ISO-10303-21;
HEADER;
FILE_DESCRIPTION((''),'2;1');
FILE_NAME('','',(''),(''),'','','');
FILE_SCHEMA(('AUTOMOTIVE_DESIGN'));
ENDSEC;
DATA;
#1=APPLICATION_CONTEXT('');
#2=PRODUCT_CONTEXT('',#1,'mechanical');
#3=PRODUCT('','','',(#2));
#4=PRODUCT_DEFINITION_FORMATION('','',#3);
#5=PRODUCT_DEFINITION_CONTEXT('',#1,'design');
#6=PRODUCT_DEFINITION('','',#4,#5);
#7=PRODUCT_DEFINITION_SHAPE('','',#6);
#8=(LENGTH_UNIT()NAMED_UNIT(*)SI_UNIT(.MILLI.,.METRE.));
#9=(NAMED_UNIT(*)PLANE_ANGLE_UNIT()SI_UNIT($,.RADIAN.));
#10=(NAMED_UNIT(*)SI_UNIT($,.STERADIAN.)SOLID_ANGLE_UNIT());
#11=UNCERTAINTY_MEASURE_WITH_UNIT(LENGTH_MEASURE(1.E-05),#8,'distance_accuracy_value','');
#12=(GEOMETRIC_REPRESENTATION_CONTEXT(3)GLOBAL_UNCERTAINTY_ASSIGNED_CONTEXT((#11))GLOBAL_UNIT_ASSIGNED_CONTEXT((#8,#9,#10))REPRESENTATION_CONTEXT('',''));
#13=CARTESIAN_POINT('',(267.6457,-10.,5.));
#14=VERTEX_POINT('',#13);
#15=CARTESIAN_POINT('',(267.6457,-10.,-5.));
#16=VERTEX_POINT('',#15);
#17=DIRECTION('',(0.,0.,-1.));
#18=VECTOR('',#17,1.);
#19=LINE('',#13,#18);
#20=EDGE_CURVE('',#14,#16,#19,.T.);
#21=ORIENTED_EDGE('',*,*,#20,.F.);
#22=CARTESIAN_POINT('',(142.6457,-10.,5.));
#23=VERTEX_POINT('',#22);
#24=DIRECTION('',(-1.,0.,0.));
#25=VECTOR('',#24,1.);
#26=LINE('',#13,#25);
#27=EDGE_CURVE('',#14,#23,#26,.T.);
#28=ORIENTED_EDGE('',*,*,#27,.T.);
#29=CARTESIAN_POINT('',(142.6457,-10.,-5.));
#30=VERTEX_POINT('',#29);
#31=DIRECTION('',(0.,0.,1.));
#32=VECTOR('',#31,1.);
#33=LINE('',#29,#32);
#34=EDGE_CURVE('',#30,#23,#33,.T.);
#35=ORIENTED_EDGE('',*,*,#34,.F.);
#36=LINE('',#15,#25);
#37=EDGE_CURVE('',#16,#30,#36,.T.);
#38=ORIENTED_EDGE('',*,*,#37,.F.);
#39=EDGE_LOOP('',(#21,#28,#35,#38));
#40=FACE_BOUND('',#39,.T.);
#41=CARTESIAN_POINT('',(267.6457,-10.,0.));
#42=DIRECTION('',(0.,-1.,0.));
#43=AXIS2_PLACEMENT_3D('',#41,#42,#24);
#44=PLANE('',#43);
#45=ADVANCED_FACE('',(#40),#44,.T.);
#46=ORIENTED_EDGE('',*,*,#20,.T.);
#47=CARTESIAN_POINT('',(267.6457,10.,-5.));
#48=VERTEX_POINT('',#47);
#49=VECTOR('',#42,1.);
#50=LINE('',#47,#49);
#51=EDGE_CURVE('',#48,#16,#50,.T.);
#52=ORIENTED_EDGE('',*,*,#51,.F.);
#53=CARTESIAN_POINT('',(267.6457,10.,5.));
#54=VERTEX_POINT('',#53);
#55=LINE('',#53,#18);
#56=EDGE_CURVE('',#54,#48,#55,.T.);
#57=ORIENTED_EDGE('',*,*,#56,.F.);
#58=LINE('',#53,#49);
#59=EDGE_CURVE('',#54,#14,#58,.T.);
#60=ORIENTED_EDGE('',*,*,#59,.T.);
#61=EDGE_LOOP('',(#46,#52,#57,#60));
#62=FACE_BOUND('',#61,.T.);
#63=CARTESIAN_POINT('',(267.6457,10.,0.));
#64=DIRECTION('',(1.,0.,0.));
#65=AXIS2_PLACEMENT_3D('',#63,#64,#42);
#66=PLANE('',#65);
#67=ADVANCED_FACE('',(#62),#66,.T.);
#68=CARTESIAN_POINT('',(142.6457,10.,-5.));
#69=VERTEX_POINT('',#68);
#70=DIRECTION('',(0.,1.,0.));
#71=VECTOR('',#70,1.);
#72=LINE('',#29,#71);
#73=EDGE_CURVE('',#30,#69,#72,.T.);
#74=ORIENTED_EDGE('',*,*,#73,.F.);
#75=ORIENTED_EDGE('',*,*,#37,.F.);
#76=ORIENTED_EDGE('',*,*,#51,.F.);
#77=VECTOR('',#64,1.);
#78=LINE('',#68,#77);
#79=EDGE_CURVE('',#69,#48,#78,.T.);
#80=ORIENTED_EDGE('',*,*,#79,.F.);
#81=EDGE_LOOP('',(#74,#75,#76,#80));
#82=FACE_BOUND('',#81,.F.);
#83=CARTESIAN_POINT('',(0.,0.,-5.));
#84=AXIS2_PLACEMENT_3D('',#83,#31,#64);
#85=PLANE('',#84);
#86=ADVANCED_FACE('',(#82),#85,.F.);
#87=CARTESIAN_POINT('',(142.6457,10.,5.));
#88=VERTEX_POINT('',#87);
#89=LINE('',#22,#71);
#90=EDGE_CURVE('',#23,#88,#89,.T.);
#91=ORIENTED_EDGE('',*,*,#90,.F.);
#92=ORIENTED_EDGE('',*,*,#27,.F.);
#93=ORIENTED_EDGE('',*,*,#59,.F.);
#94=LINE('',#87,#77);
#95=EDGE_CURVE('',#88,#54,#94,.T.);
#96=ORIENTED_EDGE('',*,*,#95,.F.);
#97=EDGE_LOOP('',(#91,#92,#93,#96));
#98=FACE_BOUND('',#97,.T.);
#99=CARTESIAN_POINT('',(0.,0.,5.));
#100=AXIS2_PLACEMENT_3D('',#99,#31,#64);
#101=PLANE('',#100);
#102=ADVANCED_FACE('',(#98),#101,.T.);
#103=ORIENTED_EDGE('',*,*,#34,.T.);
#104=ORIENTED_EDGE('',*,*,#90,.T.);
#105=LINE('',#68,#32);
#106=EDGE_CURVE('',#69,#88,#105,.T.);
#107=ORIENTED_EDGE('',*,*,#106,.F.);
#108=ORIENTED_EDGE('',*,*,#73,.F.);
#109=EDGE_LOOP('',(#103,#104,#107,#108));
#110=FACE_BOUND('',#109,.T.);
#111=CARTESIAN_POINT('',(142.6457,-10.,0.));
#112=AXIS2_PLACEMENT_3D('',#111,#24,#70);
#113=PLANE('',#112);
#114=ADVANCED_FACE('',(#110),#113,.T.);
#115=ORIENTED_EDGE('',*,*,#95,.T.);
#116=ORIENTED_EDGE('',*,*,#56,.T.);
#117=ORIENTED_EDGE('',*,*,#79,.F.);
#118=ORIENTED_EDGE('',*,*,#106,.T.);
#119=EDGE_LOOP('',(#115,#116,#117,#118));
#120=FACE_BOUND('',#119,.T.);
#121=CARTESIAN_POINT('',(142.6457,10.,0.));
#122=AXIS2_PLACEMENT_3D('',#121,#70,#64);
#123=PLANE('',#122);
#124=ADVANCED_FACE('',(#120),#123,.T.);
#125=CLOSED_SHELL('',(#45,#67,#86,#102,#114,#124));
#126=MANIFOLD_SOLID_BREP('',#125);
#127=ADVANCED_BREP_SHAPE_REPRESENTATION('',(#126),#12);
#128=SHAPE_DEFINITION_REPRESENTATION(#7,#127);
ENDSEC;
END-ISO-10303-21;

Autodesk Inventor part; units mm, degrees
ref_plane "YZ Plane" through (0, 0, 0) normal (1, 0, 0) x (0, 1, 0)
ref_plane "XZ Plane" through (0, 0, 0) normal (0, 1, 0) x (-1, 0, 0)
ref_plane "XY Plane" through (0, 0, 0) normal (0, 0, 1) x (1, 0, 0)
sketch "Sketch1" plane through (0, 0, 0) normal (0, 0, 1) x (1, 0, 0)
  line L0 (142.6457, 10) -> (267.6457, 10)
  line L1 (267.6457, 10) -> (267.6457, -10)
  line L2 (267.6457, -10) -> (142.6457, -10)
  line L3 (142.6457, -10) -> (142.6457, 10)
  point P0 (0, 0)
  point P1 (50, 0)
  dimension "d0" = 125
  dimension "d1" = 20
  dimension "d6" = 267.6457
  dimension "d7" = 10
  dimension "d8" = 217.6457
  dimension "d9" = 10
extrude "Extrusion1" add sketch "Sketch1" along normal mid plane 10
properties part number "Steel support 2" material "Steel"
